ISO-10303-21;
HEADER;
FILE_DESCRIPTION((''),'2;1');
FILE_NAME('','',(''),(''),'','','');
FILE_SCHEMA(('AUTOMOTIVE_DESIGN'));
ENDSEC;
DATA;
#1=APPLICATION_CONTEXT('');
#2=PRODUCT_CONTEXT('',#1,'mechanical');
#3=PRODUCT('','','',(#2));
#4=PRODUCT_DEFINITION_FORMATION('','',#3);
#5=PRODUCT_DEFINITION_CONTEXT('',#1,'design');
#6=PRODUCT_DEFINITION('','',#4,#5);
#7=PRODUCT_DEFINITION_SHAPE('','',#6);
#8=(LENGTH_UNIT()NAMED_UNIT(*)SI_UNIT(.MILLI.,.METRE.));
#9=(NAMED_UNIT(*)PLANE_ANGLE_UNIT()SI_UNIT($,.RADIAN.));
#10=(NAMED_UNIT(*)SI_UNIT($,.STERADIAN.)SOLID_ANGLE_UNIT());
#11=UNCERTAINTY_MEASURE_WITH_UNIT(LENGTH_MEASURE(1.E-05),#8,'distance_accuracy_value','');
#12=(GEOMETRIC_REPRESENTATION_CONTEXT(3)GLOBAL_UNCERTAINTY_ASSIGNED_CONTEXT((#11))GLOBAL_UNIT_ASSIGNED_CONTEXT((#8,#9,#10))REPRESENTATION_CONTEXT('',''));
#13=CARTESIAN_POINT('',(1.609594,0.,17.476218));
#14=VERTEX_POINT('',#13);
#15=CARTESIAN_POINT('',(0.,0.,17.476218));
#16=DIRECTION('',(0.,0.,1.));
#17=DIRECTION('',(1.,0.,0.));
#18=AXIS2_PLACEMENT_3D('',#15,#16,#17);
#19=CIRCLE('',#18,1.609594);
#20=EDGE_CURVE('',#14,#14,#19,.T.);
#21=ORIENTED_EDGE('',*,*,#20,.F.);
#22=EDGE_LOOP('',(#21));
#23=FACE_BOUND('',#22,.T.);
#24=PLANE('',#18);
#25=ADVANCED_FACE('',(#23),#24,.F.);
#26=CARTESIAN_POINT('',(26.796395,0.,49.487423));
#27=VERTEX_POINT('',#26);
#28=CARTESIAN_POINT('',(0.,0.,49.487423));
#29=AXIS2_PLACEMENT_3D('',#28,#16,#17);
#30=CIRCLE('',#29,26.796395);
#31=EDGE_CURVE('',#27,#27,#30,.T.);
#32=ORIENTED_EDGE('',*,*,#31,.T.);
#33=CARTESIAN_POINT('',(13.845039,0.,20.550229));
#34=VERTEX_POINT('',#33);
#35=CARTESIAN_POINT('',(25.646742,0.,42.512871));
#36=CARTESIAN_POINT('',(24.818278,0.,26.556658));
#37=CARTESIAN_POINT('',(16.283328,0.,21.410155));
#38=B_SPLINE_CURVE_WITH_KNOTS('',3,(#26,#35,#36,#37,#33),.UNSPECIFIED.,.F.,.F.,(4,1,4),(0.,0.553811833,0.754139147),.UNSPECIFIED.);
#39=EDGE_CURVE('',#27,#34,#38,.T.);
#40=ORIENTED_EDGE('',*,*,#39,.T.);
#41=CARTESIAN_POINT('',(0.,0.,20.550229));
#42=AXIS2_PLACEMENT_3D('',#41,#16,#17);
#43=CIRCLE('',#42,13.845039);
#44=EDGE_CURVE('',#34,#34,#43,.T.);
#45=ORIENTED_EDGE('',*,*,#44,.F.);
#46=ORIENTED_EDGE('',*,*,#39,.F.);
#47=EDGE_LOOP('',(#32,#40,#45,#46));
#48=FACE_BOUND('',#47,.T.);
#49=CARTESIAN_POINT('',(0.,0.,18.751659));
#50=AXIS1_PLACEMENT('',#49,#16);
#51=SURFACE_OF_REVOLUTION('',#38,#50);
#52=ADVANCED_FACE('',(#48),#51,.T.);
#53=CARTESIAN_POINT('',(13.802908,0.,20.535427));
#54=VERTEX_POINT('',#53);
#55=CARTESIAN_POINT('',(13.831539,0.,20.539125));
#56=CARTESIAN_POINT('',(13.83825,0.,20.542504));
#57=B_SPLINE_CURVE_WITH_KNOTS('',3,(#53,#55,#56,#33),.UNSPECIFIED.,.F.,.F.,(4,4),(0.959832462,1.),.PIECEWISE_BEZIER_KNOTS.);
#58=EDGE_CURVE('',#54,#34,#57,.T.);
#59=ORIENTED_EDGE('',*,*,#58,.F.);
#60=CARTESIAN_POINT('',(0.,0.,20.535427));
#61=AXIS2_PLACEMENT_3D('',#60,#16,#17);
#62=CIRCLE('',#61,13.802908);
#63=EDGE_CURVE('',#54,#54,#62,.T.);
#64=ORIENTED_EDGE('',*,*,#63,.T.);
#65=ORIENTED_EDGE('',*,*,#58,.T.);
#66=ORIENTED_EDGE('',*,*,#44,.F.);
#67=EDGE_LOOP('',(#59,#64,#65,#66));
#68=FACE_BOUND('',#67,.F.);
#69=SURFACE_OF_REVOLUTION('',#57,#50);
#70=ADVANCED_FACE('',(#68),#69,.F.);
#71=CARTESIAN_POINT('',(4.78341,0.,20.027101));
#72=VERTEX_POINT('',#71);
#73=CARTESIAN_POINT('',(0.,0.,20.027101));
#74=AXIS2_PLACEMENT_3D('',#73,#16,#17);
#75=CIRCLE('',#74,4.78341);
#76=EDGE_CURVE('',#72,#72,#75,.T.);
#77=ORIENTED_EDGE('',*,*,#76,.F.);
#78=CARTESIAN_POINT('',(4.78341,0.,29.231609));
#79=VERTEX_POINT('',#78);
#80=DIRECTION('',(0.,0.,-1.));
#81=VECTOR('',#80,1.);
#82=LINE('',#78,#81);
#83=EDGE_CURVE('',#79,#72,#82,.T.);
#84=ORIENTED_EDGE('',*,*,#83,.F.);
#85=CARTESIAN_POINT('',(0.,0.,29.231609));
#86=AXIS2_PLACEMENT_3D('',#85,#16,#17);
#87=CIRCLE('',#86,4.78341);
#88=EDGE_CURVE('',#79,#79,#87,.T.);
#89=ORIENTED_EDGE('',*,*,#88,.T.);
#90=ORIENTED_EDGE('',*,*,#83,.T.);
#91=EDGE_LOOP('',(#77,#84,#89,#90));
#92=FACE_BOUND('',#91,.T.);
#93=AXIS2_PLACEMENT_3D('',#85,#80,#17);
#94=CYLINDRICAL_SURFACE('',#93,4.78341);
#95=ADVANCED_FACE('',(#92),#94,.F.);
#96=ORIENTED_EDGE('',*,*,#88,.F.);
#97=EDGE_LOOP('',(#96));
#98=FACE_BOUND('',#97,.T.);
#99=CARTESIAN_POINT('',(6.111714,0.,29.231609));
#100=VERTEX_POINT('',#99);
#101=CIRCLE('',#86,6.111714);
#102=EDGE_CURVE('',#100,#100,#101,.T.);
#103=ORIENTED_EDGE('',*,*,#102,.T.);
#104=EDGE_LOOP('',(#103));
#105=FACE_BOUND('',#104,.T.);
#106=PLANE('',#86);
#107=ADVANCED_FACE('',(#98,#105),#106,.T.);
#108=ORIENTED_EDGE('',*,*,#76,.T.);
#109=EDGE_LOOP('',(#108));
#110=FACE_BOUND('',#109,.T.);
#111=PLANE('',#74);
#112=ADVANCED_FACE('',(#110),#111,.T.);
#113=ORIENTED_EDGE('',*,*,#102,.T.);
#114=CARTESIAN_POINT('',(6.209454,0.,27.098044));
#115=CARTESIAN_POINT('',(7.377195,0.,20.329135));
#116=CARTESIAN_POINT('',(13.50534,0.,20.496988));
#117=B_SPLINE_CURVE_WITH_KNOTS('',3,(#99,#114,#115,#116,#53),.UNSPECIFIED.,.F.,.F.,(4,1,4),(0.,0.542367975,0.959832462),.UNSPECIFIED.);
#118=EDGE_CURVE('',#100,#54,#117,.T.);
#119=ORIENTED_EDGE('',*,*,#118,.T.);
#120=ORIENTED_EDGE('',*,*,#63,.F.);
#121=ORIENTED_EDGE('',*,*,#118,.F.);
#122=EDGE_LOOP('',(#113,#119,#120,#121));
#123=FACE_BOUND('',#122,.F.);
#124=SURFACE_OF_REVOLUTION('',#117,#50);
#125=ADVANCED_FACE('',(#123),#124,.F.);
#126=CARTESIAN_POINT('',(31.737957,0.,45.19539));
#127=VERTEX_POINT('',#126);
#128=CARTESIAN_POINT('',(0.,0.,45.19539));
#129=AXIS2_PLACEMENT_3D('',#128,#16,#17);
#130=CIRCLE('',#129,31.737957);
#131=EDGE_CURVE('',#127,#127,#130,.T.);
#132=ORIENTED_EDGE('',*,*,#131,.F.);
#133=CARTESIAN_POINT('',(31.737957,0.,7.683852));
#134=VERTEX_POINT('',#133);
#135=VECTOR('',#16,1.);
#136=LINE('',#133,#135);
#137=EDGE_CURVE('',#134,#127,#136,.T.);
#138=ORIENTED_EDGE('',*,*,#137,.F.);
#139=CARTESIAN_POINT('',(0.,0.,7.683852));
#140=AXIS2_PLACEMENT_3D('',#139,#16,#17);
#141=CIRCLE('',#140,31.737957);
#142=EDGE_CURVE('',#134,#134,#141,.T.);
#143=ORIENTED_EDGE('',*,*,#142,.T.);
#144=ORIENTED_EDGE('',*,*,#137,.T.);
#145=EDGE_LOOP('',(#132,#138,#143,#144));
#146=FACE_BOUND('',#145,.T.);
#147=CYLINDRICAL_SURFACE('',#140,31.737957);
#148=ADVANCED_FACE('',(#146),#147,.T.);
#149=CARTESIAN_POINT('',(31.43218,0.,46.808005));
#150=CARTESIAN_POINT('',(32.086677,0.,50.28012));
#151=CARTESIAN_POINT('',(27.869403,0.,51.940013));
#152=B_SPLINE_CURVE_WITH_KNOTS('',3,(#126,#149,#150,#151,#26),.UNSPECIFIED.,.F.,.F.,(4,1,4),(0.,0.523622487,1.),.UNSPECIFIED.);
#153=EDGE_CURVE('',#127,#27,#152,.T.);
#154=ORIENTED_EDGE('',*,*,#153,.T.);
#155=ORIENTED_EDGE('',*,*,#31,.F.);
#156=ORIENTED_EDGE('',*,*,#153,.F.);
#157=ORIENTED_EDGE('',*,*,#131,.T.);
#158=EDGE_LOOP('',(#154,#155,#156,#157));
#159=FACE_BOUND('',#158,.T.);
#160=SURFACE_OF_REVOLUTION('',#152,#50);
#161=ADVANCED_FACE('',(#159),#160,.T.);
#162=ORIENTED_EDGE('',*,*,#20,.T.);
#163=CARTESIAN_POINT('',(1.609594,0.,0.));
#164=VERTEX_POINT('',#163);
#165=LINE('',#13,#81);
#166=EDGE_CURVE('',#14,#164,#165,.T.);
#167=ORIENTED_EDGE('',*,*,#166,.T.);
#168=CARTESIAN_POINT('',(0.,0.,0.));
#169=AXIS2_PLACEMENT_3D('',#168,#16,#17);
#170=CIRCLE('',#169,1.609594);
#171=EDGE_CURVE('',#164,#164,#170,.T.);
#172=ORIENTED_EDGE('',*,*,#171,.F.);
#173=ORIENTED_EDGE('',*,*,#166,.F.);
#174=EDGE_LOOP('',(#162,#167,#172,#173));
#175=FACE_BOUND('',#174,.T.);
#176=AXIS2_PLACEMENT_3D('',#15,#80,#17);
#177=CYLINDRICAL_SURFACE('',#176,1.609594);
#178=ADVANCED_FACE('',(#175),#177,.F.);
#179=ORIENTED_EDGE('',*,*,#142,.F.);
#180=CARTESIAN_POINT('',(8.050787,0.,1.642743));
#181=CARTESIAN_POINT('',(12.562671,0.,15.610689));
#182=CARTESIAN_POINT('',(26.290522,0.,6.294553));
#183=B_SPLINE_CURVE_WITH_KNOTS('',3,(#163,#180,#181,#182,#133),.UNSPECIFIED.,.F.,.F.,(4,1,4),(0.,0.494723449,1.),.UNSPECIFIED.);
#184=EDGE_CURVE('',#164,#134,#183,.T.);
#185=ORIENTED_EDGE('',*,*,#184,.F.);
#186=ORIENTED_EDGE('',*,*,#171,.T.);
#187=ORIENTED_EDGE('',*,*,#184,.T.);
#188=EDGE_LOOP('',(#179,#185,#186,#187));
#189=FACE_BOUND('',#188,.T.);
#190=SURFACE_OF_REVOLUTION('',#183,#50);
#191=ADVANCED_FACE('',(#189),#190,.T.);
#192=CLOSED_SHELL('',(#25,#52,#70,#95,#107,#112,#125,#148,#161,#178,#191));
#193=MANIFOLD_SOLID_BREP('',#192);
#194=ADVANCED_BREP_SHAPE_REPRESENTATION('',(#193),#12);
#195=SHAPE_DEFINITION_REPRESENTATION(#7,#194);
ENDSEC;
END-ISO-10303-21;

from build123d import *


with BuildPart() as f1:
    # F0 (on Front) → F1 (revolve)
    with BuildSketch(Plane.XZ):
        with BuildLine():
            Line((1.6095943283, 17.4762178212), (1.6095943283, 0))
            add(Edge.make_bspline(
                [(1.6095943283, 0), (8.0507867153, 1.6427433421), (12.5626710729, 15.6106888412), (26.2905218654, 6.2945533922), (31.7379571497, 7.6838517562)],
                knots=[0, 0, 0, 0, 0.4947234491, 1, 1, 1, 1], degree=3))
            Line((31.7379571497, 7.6838517562), (31.7379571497, 45.195389539))
            add(Edge.make_bspline(
                [(31.7379571497, 45.195389539), (31.4321800055, 46.808005049), (32.0866766029, 50.2801203886), (27.8694033623, 51.9400127232), (26.7963949591, 49.4874231517)],
                knots=[0, 0, 0, 0, 0.523622487, 1, 1, 1, 1], degree=3))
            add(Edge.make_bspline(
                [(26.7963949591, 49.4874231517), (25.6467424333, 42.512871325), (24.8182783791, 26.5566580475), (16.2833279214, 21.4101550228), (13.8450392207, 20.5502290405)],
                knots=[0, 0, 0, 0, 0.5538118334, 0.7541391475, 0.7541391475, 0.7541391475, 0.7541391475], degree=3))
            add(Edge.make_bspline(
                [(13.8029076808, 20.5354266177), (13.8315389687, 20.539125097), (13.8382496781, 20.5425035629), (13.8450392207, 20.5502290405)],
                knots=[0.9598324621, 0.9598324621, 0.9598324621, 0.9598324621, 1, 1, 1, 1], degree=3))
            add(Edge.make_bspline(
                [(6.111713592, 29.2316088453), (6.2094542344, 27.0980438152), (7.3771945349, 20.3291347714), (13.5053403784, 20.4969880215), (13.8029076808, 20.5354266177)],
                knots=[0, 0, 0, 0, 0.5423679754, 0.9598324621, 0.9598324621, 0.9598324621, 0.9598324621], degree=3))
            Line((6.111713592, 29.2316088453), (4.7834101133, 29.2316088453))
            Line((4.7834101133, 29.2316088453), (4.7834101133, 20.0271010399))
            Line((4.7834101133, 20.0271010399), (0, 20.0271010399))
            Line((0, 20.0271010399), (0, 17.4762178212))
            Line((0, 17.4762178212), (1.6095943283, 17.4762178212))
        make_face()
    revolve(axis=Axis((0, 0, 18.7516594306), (0, 0, 1)))


solid = f1.part
